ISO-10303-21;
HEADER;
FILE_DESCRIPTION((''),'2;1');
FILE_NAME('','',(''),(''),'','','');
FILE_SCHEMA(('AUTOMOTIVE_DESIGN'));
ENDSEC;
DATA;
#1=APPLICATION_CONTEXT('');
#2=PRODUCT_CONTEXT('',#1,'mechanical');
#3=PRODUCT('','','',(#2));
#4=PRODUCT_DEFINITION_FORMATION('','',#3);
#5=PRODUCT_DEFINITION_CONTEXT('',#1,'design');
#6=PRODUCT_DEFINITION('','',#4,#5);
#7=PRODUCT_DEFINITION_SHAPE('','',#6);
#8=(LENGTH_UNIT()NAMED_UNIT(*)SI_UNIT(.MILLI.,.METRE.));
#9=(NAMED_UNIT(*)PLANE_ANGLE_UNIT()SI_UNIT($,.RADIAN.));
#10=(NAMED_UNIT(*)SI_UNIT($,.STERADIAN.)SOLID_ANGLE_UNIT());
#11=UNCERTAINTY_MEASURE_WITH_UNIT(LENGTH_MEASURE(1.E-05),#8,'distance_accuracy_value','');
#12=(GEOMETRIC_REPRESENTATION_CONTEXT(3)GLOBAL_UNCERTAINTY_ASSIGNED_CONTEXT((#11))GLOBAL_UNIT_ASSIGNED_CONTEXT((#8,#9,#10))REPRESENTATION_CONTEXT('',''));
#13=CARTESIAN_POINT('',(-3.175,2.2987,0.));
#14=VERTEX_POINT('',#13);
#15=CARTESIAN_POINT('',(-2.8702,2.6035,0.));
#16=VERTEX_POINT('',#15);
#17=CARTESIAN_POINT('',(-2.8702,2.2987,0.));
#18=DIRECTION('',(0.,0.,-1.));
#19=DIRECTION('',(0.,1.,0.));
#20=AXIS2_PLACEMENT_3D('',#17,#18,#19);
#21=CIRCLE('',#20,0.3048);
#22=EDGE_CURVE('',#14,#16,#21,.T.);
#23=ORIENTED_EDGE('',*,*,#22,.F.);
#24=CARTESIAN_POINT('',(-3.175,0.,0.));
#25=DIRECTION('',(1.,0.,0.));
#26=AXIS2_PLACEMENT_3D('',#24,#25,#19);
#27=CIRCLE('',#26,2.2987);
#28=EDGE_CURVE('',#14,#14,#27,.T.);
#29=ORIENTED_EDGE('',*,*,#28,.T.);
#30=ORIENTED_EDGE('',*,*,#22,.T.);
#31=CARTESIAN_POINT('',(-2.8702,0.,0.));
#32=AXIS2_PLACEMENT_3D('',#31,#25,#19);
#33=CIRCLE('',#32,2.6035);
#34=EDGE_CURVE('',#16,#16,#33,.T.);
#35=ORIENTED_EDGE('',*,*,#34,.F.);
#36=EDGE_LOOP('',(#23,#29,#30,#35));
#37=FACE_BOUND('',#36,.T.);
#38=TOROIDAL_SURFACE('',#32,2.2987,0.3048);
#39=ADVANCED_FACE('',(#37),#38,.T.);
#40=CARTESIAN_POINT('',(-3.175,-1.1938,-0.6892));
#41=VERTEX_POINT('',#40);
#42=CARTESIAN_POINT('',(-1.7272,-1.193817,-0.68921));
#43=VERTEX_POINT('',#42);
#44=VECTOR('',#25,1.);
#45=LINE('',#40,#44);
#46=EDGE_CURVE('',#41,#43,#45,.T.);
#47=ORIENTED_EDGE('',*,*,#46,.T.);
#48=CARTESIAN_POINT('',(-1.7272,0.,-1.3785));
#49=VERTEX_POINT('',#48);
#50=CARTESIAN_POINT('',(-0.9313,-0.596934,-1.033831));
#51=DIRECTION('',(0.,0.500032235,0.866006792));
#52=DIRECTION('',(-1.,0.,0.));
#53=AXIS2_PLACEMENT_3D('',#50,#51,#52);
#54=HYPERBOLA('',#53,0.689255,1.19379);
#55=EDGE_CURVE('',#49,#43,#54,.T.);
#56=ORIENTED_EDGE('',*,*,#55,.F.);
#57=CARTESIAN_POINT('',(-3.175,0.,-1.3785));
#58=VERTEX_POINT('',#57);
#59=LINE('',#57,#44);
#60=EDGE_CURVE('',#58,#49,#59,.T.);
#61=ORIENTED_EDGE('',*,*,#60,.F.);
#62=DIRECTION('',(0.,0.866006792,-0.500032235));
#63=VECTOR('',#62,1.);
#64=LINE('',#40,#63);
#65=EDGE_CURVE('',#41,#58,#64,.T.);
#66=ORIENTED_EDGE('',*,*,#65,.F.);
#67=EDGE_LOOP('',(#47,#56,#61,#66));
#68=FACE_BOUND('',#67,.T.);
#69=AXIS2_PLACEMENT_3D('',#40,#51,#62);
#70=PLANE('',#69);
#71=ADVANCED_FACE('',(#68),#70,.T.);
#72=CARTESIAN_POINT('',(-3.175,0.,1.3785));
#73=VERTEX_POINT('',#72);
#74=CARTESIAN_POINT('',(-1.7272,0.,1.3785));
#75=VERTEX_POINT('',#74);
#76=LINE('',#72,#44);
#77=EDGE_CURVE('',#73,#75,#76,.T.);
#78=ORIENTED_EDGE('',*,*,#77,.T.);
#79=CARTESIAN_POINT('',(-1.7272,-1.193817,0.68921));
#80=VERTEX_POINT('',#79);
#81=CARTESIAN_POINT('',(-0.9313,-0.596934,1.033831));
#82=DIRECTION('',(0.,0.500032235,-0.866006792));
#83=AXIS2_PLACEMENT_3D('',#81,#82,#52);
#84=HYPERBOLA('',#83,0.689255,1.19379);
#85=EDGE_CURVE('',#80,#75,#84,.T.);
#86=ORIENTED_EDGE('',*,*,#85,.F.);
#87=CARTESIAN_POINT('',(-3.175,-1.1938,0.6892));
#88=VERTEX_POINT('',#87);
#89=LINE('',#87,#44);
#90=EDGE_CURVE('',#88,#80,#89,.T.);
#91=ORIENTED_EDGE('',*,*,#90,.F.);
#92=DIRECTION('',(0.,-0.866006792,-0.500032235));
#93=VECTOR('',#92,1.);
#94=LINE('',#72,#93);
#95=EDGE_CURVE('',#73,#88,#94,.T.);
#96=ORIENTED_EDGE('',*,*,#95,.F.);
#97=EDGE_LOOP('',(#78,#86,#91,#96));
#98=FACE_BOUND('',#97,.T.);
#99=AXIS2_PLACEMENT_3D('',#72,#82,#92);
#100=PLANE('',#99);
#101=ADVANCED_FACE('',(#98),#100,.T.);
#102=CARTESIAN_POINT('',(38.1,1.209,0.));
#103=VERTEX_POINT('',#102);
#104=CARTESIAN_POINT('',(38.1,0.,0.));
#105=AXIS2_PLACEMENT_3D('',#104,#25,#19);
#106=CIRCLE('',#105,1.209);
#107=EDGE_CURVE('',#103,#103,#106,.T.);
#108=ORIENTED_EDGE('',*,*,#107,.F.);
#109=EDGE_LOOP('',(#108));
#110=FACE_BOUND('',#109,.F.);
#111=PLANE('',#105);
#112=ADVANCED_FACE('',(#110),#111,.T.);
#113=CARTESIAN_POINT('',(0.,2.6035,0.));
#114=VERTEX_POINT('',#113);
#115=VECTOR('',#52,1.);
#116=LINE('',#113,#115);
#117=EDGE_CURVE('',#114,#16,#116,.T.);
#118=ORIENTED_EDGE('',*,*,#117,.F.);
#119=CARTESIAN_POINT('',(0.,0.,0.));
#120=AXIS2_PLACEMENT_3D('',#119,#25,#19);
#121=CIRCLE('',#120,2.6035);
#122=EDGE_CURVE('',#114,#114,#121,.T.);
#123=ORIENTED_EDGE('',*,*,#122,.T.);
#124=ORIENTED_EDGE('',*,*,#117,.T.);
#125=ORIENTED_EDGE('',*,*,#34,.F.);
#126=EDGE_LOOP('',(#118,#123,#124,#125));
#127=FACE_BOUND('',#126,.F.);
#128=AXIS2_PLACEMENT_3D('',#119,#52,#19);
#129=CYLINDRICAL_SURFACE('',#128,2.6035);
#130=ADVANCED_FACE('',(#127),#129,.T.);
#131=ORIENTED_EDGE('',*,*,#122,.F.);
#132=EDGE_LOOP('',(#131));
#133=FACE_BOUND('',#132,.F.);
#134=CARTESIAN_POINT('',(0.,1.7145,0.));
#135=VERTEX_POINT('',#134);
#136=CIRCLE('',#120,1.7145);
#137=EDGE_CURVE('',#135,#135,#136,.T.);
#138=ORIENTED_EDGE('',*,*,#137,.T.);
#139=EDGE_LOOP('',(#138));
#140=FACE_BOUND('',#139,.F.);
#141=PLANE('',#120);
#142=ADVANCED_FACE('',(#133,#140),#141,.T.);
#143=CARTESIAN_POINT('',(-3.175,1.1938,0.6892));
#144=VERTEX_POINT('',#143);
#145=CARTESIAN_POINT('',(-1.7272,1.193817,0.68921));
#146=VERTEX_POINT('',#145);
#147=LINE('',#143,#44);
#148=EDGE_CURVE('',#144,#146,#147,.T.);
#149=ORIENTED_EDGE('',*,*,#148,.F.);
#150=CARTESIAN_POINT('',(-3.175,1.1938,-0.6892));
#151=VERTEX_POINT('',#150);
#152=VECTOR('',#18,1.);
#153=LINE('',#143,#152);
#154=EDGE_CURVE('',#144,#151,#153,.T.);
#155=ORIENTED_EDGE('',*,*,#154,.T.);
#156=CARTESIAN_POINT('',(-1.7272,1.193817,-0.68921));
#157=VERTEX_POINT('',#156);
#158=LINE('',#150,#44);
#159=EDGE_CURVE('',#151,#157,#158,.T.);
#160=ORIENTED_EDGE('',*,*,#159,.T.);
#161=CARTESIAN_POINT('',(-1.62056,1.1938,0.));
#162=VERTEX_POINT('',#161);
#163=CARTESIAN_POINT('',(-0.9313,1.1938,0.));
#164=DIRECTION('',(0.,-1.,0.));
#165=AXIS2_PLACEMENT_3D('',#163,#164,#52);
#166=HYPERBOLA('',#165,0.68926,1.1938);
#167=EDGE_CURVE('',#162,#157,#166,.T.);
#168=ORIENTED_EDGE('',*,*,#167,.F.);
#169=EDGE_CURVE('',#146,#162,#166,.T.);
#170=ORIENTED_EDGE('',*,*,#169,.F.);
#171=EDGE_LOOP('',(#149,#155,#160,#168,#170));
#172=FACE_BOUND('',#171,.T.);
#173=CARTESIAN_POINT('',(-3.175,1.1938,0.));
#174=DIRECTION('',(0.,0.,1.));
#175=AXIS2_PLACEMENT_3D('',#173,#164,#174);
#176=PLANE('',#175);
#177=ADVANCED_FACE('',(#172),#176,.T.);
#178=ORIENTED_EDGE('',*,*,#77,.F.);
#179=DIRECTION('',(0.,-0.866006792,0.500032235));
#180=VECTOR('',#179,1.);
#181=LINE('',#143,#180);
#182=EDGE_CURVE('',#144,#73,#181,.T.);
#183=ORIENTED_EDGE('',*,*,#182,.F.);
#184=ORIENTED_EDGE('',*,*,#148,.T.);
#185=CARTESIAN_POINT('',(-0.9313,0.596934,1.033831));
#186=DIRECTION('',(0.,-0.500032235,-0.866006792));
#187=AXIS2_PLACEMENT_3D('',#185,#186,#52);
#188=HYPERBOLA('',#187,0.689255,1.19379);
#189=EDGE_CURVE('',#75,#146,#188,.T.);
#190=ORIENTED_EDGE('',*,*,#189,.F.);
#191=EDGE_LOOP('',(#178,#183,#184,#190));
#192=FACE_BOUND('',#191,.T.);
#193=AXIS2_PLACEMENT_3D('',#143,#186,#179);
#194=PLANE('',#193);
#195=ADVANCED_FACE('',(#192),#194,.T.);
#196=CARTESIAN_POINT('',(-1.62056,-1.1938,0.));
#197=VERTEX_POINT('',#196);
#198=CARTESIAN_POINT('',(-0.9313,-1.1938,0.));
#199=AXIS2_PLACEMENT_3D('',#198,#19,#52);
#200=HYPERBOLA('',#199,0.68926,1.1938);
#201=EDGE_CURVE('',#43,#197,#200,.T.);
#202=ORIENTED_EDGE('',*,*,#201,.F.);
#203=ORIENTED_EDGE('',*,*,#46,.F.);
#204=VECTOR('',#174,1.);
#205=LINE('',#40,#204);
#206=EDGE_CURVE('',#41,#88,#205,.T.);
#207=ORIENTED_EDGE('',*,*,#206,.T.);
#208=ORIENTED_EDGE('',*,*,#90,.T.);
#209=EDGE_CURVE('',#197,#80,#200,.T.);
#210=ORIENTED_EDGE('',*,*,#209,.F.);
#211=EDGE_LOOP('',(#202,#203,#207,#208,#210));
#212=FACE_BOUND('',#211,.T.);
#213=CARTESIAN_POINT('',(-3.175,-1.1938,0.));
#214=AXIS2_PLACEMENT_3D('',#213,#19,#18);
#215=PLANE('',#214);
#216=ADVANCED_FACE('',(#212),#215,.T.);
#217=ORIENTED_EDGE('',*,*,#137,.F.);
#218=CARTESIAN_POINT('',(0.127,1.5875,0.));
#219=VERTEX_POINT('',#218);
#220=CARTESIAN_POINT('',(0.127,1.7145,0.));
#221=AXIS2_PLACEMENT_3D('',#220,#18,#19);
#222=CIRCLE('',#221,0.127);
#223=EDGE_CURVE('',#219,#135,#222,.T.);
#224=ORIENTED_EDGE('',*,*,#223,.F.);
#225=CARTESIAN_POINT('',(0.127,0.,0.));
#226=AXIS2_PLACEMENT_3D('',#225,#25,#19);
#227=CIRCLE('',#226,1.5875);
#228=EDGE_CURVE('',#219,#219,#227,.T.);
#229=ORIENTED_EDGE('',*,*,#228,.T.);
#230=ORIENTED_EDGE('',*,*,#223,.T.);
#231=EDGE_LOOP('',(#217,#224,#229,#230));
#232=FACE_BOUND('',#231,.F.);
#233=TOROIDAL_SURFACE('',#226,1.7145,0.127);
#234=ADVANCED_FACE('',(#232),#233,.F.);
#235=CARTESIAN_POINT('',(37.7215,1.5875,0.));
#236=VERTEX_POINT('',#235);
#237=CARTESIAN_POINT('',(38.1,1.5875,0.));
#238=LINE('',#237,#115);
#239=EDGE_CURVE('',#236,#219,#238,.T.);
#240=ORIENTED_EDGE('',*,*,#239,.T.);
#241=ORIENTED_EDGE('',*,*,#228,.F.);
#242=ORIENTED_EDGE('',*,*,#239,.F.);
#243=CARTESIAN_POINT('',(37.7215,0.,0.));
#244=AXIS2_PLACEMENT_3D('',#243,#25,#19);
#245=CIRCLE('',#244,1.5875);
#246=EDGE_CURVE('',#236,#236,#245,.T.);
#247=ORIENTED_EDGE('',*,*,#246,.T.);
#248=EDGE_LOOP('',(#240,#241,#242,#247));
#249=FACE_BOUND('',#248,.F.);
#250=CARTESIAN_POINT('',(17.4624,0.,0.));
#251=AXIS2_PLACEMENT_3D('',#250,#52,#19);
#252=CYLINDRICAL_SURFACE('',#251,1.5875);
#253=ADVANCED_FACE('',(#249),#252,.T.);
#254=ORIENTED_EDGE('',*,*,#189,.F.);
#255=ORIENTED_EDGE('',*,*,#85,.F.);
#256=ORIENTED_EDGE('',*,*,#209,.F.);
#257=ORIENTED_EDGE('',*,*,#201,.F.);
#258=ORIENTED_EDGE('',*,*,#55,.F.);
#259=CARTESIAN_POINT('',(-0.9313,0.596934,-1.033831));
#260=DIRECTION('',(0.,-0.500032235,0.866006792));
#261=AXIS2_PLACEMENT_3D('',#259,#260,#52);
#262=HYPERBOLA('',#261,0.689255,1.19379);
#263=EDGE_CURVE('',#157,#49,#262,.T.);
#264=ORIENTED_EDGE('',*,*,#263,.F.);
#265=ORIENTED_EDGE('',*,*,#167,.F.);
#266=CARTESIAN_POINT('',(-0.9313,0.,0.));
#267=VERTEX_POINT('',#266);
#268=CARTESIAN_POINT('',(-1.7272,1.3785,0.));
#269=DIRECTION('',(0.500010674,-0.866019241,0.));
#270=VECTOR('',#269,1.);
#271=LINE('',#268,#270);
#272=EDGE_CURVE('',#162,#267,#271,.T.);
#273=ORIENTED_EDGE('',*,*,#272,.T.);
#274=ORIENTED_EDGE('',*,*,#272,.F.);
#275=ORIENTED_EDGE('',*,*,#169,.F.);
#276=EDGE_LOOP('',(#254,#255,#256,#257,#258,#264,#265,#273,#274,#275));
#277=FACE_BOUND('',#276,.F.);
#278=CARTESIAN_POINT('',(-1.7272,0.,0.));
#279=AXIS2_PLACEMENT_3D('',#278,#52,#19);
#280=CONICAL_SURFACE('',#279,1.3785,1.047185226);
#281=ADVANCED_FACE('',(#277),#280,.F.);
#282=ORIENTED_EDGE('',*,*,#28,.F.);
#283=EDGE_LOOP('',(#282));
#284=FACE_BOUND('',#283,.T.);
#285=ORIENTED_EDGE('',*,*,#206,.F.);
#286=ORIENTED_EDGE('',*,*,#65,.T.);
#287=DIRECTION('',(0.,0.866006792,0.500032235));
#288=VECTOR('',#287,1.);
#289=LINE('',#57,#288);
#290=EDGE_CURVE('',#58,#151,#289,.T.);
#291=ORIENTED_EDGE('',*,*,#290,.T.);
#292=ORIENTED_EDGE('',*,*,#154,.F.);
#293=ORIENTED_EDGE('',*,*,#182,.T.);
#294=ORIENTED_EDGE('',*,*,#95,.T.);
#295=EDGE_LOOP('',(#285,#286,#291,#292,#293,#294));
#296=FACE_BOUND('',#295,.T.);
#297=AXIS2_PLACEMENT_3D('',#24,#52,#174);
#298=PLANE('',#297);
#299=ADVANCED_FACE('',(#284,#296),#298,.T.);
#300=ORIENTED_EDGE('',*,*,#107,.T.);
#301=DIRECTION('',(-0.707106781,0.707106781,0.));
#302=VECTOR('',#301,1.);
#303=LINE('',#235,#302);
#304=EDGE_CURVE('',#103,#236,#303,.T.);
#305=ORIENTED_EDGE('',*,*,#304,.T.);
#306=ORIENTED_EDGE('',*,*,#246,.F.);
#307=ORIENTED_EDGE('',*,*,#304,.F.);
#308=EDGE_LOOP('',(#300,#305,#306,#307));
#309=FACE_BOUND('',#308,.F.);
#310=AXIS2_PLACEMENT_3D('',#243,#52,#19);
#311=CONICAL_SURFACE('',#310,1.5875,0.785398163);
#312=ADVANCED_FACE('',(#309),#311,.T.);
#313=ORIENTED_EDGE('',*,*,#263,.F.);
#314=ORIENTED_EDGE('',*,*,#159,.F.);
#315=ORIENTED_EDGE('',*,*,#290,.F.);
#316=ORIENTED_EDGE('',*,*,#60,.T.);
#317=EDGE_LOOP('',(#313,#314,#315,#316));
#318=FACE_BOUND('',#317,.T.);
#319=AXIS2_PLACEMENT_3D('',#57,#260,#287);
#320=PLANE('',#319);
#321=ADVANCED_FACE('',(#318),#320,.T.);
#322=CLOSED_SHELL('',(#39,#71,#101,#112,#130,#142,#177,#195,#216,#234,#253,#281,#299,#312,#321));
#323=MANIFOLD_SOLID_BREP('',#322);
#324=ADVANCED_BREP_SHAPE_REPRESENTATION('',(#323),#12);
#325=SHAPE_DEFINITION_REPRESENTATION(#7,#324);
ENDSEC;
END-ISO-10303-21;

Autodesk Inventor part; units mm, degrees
ref_plane "YZ Plane" through (0, 0, 0) normal (1, 0, 0) x (0, 1, 0)
ref_plane "XZ Plane" through (0, 0, 0) normal (0, 1, 0) x (-1, 0, 0)
sketch "Sketch1" plane through (0, 0, 0) normal (0, 0, 1) x (1, 0, 0)
  line L0 (-0.9313, 0) -> (38.1, 0)
  line L1 (38.1, 0) -> (38.1, 1.5875)
  line L2 (38.1, 1.5875) -> (19.05, 1.5875)
  line L3 (19.05, 1.5875) -> (17.4624, 1.5875)
  line L4 (17.4624, 1.5875) -> (0, 1.5875)
  line L5 (0, 1.5875) -> (0, 2.6035)
  line L6 (0, 2.6035) -> (-3.175, 2.6035)
  line L7 (-3.175, 2.6035) -> (-3.175, 1.3785)
  line L8 (-3.175, 1.3785) -> (-1.7272, 1.3785)
  line L9 (-1.7272, 1.3785) -> (-0.9313, 0)
  line L10 (-11.43, 0) -> (46.355, 0) projected
  line L11 (0, -0.5207) -> (0, 3.1242) projected
  line L12 (19.05, 1.5875) -> (0, 1.5875) construction
  dimension "d1" = 19.05
  dimension "d2" = 1.5876
  dimension "d3" = 3.175
  dimension "d4" = 1.4478
  dimension "d5" = 60
  dimension "d6" = 3.175
  dimension "d7" = 3.175
  dimension "d8" = 2.757
  dimension "d9" = 5.207
  dimension "d26" = 38.1
revolve "Body" add sketch "Sketch1" angle 360 about axis through (-0.9313, 0, 0) along (1, 0, 0)
sketch "Sketch2" plane through (-3.175, 0, 0) normal (-1, 0, 0) x (0, 0, 1)
  circle A0 centre (0, 0) radius 1.3785 projected
  line L0 (0, -3.6449) -> (0, 3.6449) projected
  line L1 (-3.6449, 0) -> (3.6449, 0) projected
  line L2 (1.3785, 0) -> (0.6892, -1.1938)
  line L3 (0.6892, -1.1938) -> (-0.6892, -1.1938)
  line L4 (-0.6892, -1.1938) -> (-1.3785, 0)
  line L5 (-1.3785, 0) -> (-0.6892, 1.1938)
  line L6 (-0.6892, 1.1938) -> (0.6892, 1.1938)
  line L7 (0.6892, 1.1938) -> (1.3785, 0)
extrude "Slot" add sketch "Sketch2" against normal up to next contours L7 A0 | A0 L2 | L6 L0 A0 | A0 L0 L3 | L0 L6 A0 | A0 L3 L0 | L4 A0 | A0 L5
fillet "Fillet1" radius 0.3048 1 edges at (-3.175, -2.6035, 0)
thread "Thread" size "5-40 UNC" class "2A" standard "ANSI Unified Screw Threads" length 19.05
chamfer "Chamfer1" distance 0.3785 distance2 0.3785 1 edges at (38.1, -1.5875, 0) measured on face at (38.1, 0.5138, 0.5752)
ref_plane "Work Plane1" through (29, 0, 0) normal (0, -1, 0) x (1, 0, 0)
fillet "Fillet2" radius 0.127 1 edges at (0, -1.5875, 0)
equation "\"d1\" = GEL"
equation "\"d3\" = KOH"
equation "\"d4\" = INTI"
equation "\"d6\" = GD"
equation "\"d7\" = BDM"
equation "\"d8\" = 1.1547 * SW"
equation "\"d9\" = KOD"
equation "\"d26\" = NLG"
equation "\"d30\" = R"
equation "\"d17\" = RR"
equation "\"d13\" = GEL"
equation "\"d15\" = -0.5 * SPD + 0.5 * GD"
equation "\"d16\" = GUL"
equation "\"GD\" = 3.175"
equation "\"NLG\" = 38.1"
equation "\"GEL\" = 19.05"
equation "\"KOD\" = 5.207"
equation "\"KOH\" = 3.175"
equation "\"INTI\" = 1.4478"
equation "\"GAL\" = 1.5875"
equation "\"GUL\" = 0.37846"
equation "\"BDM\" = 3.175"
equation "\"SW\" = 2.3876"
equation "\"RR\" = 0.3048"
equation "\"SPD\" = 2.41808"
equation "\"R\" = 0.127"
equation "\"PHH\" = 0.127"
equation "\"GD1\" = SPD"
equation "\"THREADDIA\" = 3.175"
equation "\"FAWI\" = 45deg"
equation "\"KOH1\" = 2.8448"
equation "\"NND\" = 3.175"
equation "\"TOA\" = 30deg"
equation "\"E0\" = 1.155 * SW"
properties part number "ANSI B18.3 - No. 5 - 40 UNC - 1 1/2 HS HCS" material "Steel, Mild"
